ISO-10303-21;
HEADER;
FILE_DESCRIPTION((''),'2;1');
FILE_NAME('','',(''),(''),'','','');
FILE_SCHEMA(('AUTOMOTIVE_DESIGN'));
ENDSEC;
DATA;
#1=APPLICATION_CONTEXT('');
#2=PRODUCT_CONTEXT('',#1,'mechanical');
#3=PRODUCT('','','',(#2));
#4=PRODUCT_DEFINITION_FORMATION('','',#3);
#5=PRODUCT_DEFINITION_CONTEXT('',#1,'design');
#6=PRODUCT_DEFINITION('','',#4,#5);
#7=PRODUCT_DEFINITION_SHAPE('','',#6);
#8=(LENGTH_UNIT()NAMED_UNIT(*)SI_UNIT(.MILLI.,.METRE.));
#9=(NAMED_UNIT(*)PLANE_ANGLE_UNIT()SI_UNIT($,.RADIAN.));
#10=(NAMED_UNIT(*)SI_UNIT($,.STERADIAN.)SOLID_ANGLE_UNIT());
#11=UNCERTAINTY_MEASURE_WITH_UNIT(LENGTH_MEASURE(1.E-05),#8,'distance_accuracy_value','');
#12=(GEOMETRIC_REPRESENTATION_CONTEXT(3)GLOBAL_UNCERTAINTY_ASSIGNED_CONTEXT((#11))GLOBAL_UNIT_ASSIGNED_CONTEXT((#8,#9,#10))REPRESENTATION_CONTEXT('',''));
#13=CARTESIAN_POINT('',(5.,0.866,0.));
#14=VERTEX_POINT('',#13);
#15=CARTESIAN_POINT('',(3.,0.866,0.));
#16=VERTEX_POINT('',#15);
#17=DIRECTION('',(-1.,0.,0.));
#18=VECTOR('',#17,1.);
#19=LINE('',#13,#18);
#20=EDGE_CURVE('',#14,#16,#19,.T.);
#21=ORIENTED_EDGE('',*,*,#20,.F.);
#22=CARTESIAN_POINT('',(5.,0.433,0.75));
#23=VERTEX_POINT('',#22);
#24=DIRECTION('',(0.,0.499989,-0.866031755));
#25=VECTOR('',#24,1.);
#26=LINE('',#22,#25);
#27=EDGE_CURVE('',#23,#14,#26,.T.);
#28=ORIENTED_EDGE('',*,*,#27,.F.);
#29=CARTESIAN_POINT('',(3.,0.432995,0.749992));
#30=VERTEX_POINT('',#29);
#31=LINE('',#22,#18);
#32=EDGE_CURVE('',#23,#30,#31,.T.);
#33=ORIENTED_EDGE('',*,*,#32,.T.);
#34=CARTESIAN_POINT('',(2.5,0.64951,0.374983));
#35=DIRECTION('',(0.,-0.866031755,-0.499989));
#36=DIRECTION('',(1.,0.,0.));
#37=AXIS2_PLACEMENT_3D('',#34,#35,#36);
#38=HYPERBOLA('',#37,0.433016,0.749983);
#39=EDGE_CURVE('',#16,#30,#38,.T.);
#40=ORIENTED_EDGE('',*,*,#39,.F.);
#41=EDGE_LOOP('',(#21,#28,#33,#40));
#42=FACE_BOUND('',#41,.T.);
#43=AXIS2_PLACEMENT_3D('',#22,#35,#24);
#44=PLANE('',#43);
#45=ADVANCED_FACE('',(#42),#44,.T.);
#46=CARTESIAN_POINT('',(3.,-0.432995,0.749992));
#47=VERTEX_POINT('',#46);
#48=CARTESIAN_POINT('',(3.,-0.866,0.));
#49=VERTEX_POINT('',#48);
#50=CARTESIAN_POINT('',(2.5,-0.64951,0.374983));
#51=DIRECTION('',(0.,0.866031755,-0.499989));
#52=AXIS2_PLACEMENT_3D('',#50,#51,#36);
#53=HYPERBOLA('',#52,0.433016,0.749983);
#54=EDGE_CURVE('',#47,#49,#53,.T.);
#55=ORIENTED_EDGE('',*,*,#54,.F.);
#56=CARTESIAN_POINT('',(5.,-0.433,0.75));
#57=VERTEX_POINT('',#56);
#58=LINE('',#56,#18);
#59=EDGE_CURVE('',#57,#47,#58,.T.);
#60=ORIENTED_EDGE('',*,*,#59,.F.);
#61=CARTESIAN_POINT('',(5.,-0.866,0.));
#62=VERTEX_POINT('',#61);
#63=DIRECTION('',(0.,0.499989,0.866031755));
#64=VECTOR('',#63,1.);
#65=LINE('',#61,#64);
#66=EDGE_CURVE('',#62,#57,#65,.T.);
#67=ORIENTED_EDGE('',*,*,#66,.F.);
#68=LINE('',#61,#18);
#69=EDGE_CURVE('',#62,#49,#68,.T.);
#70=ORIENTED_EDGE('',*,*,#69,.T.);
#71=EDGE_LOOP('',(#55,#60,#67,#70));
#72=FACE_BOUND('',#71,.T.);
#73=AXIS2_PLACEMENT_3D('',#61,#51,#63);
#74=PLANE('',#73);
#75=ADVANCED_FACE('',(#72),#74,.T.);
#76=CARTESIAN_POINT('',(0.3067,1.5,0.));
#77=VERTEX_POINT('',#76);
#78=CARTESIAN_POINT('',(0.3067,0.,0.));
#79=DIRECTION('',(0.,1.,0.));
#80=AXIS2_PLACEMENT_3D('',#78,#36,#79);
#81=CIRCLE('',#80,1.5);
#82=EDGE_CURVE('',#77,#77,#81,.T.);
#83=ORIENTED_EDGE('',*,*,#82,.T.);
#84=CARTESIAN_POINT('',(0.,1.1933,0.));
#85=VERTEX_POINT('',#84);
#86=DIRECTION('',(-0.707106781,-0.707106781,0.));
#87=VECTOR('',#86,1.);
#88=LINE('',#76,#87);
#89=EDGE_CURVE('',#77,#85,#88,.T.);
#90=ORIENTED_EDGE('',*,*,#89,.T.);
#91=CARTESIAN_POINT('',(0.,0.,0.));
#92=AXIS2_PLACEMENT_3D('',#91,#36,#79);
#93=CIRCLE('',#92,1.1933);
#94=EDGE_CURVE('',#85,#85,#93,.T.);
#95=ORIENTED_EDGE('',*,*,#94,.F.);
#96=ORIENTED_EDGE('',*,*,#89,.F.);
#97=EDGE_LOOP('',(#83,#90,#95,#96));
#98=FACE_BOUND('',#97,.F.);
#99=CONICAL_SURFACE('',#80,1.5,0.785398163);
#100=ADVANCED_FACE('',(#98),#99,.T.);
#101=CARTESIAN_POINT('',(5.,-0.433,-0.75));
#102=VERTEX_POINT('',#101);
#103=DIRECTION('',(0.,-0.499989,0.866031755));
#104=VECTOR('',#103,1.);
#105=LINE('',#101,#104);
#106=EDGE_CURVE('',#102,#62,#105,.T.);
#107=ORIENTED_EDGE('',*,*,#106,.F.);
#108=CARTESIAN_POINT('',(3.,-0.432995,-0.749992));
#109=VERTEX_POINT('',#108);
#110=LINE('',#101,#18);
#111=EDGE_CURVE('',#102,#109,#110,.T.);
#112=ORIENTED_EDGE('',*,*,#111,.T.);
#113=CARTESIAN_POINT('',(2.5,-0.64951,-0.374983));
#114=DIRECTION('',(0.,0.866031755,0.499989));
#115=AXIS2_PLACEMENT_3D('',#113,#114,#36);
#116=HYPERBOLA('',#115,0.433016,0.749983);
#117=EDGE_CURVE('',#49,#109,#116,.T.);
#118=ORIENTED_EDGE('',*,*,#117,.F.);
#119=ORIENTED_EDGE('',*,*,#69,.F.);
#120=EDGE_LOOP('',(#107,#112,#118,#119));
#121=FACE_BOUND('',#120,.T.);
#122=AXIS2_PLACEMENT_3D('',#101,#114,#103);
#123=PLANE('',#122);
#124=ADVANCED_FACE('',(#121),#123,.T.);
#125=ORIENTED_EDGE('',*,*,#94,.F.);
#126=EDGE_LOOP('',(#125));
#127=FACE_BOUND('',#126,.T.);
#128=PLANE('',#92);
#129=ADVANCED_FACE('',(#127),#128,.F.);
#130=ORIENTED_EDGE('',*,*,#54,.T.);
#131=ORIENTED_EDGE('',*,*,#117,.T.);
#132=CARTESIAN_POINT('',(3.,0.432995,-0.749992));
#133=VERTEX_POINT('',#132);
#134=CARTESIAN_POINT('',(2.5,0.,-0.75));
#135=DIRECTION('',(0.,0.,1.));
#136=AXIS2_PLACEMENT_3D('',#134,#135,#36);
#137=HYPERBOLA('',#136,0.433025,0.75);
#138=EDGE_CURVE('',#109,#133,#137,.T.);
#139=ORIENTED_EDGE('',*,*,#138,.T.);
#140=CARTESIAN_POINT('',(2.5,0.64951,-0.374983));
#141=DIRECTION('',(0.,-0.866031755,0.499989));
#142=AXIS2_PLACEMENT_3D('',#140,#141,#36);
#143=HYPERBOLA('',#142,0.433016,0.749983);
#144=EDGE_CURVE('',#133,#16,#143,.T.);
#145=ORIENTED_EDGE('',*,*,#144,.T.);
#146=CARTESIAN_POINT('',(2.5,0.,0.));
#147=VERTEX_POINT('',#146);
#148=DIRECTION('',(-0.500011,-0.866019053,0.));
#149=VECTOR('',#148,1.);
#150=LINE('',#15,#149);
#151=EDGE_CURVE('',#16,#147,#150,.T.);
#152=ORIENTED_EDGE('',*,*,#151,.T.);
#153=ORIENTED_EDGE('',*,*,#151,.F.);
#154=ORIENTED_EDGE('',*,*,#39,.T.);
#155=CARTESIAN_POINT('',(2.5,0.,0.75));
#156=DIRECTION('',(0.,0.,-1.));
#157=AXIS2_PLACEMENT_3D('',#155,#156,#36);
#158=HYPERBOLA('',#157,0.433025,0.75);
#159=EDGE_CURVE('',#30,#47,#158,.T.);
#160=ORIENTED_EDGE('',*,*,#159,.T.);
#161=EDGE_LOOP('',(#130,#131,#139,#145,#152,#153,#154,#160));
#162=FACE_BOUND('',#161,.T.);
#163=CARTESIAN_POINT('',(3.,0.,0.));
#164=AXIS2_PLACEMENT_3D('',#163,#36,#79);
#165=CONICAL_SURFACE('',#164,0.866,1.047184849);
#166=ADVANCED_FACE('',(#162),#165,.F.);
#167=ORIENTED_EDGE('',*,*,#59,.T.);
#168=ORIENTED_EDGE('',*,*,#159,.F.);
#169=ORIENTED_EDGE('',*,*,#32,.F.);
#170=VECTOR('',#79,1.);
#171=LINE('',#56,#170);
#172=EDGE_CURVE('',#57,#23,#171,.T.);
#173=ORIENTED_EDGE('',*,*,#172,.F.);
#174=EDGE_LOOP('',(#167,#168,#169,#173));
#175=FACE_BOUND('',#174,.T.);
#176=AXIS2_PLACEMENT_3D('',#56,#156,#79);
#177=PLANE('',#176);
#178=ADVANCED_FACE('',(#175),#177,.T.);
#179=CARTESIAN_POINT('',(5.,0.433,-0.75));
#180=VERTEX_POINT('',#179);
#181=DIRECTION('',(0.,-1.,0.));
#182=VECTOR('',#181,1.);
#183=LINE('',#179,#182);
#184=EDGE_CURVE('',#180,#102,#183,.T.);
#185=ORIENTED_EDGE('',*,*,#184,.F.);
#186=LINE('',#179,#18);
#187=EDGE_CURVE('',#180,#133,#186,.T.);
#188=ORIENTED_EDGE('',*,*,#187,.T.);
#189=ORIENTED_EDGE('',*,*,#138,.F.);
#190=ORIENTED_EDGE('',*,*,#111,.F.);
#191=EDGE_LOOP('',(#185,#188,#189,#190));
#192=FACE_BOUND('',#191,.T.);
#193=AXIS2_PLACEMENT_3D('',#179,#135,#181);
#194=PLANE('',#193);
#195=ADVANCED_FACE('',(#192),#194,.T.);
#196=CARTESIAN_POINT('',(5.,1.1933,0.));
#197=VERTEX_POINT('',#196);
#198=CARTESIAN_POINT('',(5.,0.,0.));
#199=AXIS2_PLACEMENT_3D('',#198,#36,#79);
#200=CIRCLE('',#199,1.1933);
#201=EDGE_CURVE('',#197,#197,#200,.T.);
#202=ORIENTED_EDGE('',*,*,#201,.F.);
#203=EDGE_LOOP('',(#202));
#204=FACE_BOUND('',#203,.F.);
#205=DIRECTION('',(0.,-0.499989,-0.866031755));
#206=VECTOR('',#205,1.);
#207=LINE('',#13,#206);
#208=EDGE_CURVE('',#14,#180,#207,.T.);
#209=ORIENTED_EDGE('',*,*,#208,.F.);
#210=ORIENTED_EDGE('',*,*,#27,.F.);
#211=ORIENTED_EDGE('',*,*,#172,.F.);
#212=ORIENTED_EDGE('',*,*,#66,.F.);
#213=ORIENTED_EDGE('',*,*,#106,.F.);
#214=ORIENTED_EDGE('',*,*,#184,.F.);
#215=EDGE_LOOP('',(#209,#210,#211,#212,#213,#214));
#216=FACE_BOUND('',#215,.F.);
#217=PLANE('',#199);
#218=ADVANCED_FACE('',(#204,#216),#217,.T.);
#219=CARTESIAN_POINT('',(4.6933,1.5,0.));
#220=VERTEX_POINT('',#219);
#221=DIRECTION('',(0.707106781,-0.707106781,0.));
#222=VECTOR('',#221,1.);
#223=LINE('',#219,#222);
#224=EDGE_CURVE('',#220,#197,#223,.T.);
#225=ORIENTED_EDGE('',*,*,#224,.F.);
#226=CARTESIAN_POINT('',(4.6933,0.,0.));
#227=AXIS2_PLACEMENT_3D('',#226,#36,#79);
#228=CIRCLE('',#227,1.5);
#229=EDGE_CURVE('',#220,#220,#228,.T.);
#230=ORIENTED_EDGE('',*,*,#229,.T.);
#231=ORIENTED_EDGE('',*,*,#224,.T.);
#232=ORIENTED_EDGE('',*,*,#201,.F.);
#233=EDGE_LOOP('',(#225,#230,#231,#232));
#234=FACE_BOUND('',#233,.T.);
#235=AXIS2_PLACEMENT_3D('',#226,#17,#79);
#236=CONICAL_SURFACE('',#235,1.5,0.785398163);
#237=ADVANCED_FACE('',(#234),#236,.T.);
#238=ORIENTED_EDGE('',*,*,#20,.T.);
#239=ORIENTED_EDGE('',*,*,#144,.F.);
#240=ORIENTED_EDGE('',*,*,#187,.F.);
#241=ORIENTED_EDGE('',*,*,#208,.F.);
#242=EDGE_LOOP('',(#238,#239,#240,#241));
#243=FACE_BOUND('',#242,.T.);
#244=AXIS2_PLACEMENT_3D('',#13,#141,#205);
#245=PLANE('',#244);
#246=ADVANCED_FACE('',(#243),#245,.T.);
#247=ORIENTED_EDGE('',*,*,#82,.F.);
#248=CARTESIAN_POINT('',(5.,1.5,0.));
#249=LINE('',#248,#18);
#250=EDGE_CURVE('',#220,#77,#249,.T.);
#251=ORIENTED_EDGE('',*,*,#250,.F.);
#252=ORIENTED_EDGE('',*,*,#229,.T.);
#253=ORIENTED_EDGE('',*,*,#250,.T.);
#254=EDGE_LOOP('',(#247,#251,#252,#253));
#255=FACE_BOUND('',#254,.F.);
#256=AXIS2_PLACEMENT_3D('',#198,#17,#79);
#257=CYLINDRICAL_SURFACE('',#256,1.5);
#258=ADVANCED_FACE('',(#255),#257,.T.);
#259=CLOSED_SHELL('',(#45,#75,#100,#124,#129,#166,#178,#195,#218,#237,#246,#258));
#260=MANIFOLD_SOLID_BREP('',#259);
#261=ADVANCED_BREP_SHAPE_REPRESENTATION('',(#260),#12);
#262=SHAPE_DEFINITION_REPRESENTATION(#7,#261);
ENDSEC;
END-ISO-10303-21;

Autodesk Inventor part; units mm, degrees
ref_plane "YZ Plane" through (0, 0, 0) normal (1, 0, 0) x (0, 1, 0)
ref_plane "XZ Plane" through (0, 0, 0) normal (0, 1, 0) x (-1, 0, 0)
sketch "Эскиз1" plane through (0, 0, 0) normal (0, 0, 1) x (1, 0, 0)
  line L0 (0, 0) -> (2.5, 0)
  line L1 (5, 0.866) -> (5, 1.5)
  line L2 (5, 1.5) -> (0, 1.5)
  line L3 (5, 0.866) -> (3, 0.866)
  line L4 (3, 0.866) -> (2.5, 0)
  line L5 (0, -0.3) -> (0, 1.8) projected
  line L6 (0, 1.5) -> (0, 0)
  dimension "d0" = 2
  dimension "d1" = 60
  dimension "d2" = 3
  dimension "d3" = 1.7321
  dimension "d5" = 5
revolve "Базовый элемент" add sketch "Эскиз1" angle 360 about axis through (0, 0, 0) along (1, 0, 0)
sketch "Эскиз2" plane through (5, 0, 0) normal (1, 0, 0) x (0, 1, 0)
  circle A0 centre (0, 0) radius 0.866 projected
  line L0 (-0.433, 0.75) -> (0.433, 0.75)
  line L1 (0.433, 0.75) -> (0.866, 0)
  line L2 (0.866, 0) -> (0.433, -0.75)
  line L3 (0.433, -0.75) -> (-0.433, -0.75)
  line L4 (-0.433, -0.75) -> (-0.866, 0)
  line L5 (-0.866, 0) -> (-0.433, 0.75)
  point P0 (0, 0)
  point P1 (0, 0)
extrude "Паз" add sketch "Эскиз2" against normal up to next contours L1 A0 | A0 L2 | L0 A0 | A0 L3 | L5 A0 | A0 L4
thread "Резьба" size "M3x0.5" class "6g" standard "ISO Metric profile" length 5
chamfer "Фаска1" distance 0.3067 angle 45 1 edges at (5, -1.5, 0) measured on face at (3.3333, 1.4951, -0.1207)
chamfer "Фаска2" distance 0.3067 angle 45 1 edges at (0, -1.5, 0) measured on face at (1.5644, 1.4951, -0.1207)
ref_plane "Work Plane1" through (2.5, 0, 0) normal (0, 0, 1) x (1, 0, 0)
equation "\"d8\" = NLG"
equation "\"d10\" = -0.5 * GD1 + 0.5 * NND"
equation "\"d11\" = FAWI"
equation "\"d34\" = -0.5 * GD1 + 0.5 * NND"
equation "\"d12\" = -0.5 * GD1 + 0.5 * NND"
equation "\"d13\" = FAWI"
equation "\"d35\" = -0.5 * GD1 + 0.5 * NND"
equation "\"d0\" = INTI"
equation "\"d2\" = NND"
equation "\"d3\" = 1.1547 * SW"
equation "\"d5\" = NLG"
equation "\"NND\" = 3"
equation "\"NLG\" = 5"
equation "\"INTI\" = 2"
equation "\"FAWI\" = 45deg"
equation "\"SW\" = 1.5"
equation "\"GD1\" = THREADDIA - 1.2269 * PTC"
equation "\"SPD\" = 2"
equation "\"GUL\" = 0.61345 * PTC"
equation "\"TOA\" = 30deg"
equation "\"THREADDIA\" = 3"
equation "\"PTC\" = 0.5"
equation "\"FAWI1\" = 45deg"
equation "\"GAL\" = 0.61345 * PTC"
equation "\"E0\" = 1.155 * SW"
properties part number "DIN 913 - M3 x 5" material "Сталь, мягкая"
